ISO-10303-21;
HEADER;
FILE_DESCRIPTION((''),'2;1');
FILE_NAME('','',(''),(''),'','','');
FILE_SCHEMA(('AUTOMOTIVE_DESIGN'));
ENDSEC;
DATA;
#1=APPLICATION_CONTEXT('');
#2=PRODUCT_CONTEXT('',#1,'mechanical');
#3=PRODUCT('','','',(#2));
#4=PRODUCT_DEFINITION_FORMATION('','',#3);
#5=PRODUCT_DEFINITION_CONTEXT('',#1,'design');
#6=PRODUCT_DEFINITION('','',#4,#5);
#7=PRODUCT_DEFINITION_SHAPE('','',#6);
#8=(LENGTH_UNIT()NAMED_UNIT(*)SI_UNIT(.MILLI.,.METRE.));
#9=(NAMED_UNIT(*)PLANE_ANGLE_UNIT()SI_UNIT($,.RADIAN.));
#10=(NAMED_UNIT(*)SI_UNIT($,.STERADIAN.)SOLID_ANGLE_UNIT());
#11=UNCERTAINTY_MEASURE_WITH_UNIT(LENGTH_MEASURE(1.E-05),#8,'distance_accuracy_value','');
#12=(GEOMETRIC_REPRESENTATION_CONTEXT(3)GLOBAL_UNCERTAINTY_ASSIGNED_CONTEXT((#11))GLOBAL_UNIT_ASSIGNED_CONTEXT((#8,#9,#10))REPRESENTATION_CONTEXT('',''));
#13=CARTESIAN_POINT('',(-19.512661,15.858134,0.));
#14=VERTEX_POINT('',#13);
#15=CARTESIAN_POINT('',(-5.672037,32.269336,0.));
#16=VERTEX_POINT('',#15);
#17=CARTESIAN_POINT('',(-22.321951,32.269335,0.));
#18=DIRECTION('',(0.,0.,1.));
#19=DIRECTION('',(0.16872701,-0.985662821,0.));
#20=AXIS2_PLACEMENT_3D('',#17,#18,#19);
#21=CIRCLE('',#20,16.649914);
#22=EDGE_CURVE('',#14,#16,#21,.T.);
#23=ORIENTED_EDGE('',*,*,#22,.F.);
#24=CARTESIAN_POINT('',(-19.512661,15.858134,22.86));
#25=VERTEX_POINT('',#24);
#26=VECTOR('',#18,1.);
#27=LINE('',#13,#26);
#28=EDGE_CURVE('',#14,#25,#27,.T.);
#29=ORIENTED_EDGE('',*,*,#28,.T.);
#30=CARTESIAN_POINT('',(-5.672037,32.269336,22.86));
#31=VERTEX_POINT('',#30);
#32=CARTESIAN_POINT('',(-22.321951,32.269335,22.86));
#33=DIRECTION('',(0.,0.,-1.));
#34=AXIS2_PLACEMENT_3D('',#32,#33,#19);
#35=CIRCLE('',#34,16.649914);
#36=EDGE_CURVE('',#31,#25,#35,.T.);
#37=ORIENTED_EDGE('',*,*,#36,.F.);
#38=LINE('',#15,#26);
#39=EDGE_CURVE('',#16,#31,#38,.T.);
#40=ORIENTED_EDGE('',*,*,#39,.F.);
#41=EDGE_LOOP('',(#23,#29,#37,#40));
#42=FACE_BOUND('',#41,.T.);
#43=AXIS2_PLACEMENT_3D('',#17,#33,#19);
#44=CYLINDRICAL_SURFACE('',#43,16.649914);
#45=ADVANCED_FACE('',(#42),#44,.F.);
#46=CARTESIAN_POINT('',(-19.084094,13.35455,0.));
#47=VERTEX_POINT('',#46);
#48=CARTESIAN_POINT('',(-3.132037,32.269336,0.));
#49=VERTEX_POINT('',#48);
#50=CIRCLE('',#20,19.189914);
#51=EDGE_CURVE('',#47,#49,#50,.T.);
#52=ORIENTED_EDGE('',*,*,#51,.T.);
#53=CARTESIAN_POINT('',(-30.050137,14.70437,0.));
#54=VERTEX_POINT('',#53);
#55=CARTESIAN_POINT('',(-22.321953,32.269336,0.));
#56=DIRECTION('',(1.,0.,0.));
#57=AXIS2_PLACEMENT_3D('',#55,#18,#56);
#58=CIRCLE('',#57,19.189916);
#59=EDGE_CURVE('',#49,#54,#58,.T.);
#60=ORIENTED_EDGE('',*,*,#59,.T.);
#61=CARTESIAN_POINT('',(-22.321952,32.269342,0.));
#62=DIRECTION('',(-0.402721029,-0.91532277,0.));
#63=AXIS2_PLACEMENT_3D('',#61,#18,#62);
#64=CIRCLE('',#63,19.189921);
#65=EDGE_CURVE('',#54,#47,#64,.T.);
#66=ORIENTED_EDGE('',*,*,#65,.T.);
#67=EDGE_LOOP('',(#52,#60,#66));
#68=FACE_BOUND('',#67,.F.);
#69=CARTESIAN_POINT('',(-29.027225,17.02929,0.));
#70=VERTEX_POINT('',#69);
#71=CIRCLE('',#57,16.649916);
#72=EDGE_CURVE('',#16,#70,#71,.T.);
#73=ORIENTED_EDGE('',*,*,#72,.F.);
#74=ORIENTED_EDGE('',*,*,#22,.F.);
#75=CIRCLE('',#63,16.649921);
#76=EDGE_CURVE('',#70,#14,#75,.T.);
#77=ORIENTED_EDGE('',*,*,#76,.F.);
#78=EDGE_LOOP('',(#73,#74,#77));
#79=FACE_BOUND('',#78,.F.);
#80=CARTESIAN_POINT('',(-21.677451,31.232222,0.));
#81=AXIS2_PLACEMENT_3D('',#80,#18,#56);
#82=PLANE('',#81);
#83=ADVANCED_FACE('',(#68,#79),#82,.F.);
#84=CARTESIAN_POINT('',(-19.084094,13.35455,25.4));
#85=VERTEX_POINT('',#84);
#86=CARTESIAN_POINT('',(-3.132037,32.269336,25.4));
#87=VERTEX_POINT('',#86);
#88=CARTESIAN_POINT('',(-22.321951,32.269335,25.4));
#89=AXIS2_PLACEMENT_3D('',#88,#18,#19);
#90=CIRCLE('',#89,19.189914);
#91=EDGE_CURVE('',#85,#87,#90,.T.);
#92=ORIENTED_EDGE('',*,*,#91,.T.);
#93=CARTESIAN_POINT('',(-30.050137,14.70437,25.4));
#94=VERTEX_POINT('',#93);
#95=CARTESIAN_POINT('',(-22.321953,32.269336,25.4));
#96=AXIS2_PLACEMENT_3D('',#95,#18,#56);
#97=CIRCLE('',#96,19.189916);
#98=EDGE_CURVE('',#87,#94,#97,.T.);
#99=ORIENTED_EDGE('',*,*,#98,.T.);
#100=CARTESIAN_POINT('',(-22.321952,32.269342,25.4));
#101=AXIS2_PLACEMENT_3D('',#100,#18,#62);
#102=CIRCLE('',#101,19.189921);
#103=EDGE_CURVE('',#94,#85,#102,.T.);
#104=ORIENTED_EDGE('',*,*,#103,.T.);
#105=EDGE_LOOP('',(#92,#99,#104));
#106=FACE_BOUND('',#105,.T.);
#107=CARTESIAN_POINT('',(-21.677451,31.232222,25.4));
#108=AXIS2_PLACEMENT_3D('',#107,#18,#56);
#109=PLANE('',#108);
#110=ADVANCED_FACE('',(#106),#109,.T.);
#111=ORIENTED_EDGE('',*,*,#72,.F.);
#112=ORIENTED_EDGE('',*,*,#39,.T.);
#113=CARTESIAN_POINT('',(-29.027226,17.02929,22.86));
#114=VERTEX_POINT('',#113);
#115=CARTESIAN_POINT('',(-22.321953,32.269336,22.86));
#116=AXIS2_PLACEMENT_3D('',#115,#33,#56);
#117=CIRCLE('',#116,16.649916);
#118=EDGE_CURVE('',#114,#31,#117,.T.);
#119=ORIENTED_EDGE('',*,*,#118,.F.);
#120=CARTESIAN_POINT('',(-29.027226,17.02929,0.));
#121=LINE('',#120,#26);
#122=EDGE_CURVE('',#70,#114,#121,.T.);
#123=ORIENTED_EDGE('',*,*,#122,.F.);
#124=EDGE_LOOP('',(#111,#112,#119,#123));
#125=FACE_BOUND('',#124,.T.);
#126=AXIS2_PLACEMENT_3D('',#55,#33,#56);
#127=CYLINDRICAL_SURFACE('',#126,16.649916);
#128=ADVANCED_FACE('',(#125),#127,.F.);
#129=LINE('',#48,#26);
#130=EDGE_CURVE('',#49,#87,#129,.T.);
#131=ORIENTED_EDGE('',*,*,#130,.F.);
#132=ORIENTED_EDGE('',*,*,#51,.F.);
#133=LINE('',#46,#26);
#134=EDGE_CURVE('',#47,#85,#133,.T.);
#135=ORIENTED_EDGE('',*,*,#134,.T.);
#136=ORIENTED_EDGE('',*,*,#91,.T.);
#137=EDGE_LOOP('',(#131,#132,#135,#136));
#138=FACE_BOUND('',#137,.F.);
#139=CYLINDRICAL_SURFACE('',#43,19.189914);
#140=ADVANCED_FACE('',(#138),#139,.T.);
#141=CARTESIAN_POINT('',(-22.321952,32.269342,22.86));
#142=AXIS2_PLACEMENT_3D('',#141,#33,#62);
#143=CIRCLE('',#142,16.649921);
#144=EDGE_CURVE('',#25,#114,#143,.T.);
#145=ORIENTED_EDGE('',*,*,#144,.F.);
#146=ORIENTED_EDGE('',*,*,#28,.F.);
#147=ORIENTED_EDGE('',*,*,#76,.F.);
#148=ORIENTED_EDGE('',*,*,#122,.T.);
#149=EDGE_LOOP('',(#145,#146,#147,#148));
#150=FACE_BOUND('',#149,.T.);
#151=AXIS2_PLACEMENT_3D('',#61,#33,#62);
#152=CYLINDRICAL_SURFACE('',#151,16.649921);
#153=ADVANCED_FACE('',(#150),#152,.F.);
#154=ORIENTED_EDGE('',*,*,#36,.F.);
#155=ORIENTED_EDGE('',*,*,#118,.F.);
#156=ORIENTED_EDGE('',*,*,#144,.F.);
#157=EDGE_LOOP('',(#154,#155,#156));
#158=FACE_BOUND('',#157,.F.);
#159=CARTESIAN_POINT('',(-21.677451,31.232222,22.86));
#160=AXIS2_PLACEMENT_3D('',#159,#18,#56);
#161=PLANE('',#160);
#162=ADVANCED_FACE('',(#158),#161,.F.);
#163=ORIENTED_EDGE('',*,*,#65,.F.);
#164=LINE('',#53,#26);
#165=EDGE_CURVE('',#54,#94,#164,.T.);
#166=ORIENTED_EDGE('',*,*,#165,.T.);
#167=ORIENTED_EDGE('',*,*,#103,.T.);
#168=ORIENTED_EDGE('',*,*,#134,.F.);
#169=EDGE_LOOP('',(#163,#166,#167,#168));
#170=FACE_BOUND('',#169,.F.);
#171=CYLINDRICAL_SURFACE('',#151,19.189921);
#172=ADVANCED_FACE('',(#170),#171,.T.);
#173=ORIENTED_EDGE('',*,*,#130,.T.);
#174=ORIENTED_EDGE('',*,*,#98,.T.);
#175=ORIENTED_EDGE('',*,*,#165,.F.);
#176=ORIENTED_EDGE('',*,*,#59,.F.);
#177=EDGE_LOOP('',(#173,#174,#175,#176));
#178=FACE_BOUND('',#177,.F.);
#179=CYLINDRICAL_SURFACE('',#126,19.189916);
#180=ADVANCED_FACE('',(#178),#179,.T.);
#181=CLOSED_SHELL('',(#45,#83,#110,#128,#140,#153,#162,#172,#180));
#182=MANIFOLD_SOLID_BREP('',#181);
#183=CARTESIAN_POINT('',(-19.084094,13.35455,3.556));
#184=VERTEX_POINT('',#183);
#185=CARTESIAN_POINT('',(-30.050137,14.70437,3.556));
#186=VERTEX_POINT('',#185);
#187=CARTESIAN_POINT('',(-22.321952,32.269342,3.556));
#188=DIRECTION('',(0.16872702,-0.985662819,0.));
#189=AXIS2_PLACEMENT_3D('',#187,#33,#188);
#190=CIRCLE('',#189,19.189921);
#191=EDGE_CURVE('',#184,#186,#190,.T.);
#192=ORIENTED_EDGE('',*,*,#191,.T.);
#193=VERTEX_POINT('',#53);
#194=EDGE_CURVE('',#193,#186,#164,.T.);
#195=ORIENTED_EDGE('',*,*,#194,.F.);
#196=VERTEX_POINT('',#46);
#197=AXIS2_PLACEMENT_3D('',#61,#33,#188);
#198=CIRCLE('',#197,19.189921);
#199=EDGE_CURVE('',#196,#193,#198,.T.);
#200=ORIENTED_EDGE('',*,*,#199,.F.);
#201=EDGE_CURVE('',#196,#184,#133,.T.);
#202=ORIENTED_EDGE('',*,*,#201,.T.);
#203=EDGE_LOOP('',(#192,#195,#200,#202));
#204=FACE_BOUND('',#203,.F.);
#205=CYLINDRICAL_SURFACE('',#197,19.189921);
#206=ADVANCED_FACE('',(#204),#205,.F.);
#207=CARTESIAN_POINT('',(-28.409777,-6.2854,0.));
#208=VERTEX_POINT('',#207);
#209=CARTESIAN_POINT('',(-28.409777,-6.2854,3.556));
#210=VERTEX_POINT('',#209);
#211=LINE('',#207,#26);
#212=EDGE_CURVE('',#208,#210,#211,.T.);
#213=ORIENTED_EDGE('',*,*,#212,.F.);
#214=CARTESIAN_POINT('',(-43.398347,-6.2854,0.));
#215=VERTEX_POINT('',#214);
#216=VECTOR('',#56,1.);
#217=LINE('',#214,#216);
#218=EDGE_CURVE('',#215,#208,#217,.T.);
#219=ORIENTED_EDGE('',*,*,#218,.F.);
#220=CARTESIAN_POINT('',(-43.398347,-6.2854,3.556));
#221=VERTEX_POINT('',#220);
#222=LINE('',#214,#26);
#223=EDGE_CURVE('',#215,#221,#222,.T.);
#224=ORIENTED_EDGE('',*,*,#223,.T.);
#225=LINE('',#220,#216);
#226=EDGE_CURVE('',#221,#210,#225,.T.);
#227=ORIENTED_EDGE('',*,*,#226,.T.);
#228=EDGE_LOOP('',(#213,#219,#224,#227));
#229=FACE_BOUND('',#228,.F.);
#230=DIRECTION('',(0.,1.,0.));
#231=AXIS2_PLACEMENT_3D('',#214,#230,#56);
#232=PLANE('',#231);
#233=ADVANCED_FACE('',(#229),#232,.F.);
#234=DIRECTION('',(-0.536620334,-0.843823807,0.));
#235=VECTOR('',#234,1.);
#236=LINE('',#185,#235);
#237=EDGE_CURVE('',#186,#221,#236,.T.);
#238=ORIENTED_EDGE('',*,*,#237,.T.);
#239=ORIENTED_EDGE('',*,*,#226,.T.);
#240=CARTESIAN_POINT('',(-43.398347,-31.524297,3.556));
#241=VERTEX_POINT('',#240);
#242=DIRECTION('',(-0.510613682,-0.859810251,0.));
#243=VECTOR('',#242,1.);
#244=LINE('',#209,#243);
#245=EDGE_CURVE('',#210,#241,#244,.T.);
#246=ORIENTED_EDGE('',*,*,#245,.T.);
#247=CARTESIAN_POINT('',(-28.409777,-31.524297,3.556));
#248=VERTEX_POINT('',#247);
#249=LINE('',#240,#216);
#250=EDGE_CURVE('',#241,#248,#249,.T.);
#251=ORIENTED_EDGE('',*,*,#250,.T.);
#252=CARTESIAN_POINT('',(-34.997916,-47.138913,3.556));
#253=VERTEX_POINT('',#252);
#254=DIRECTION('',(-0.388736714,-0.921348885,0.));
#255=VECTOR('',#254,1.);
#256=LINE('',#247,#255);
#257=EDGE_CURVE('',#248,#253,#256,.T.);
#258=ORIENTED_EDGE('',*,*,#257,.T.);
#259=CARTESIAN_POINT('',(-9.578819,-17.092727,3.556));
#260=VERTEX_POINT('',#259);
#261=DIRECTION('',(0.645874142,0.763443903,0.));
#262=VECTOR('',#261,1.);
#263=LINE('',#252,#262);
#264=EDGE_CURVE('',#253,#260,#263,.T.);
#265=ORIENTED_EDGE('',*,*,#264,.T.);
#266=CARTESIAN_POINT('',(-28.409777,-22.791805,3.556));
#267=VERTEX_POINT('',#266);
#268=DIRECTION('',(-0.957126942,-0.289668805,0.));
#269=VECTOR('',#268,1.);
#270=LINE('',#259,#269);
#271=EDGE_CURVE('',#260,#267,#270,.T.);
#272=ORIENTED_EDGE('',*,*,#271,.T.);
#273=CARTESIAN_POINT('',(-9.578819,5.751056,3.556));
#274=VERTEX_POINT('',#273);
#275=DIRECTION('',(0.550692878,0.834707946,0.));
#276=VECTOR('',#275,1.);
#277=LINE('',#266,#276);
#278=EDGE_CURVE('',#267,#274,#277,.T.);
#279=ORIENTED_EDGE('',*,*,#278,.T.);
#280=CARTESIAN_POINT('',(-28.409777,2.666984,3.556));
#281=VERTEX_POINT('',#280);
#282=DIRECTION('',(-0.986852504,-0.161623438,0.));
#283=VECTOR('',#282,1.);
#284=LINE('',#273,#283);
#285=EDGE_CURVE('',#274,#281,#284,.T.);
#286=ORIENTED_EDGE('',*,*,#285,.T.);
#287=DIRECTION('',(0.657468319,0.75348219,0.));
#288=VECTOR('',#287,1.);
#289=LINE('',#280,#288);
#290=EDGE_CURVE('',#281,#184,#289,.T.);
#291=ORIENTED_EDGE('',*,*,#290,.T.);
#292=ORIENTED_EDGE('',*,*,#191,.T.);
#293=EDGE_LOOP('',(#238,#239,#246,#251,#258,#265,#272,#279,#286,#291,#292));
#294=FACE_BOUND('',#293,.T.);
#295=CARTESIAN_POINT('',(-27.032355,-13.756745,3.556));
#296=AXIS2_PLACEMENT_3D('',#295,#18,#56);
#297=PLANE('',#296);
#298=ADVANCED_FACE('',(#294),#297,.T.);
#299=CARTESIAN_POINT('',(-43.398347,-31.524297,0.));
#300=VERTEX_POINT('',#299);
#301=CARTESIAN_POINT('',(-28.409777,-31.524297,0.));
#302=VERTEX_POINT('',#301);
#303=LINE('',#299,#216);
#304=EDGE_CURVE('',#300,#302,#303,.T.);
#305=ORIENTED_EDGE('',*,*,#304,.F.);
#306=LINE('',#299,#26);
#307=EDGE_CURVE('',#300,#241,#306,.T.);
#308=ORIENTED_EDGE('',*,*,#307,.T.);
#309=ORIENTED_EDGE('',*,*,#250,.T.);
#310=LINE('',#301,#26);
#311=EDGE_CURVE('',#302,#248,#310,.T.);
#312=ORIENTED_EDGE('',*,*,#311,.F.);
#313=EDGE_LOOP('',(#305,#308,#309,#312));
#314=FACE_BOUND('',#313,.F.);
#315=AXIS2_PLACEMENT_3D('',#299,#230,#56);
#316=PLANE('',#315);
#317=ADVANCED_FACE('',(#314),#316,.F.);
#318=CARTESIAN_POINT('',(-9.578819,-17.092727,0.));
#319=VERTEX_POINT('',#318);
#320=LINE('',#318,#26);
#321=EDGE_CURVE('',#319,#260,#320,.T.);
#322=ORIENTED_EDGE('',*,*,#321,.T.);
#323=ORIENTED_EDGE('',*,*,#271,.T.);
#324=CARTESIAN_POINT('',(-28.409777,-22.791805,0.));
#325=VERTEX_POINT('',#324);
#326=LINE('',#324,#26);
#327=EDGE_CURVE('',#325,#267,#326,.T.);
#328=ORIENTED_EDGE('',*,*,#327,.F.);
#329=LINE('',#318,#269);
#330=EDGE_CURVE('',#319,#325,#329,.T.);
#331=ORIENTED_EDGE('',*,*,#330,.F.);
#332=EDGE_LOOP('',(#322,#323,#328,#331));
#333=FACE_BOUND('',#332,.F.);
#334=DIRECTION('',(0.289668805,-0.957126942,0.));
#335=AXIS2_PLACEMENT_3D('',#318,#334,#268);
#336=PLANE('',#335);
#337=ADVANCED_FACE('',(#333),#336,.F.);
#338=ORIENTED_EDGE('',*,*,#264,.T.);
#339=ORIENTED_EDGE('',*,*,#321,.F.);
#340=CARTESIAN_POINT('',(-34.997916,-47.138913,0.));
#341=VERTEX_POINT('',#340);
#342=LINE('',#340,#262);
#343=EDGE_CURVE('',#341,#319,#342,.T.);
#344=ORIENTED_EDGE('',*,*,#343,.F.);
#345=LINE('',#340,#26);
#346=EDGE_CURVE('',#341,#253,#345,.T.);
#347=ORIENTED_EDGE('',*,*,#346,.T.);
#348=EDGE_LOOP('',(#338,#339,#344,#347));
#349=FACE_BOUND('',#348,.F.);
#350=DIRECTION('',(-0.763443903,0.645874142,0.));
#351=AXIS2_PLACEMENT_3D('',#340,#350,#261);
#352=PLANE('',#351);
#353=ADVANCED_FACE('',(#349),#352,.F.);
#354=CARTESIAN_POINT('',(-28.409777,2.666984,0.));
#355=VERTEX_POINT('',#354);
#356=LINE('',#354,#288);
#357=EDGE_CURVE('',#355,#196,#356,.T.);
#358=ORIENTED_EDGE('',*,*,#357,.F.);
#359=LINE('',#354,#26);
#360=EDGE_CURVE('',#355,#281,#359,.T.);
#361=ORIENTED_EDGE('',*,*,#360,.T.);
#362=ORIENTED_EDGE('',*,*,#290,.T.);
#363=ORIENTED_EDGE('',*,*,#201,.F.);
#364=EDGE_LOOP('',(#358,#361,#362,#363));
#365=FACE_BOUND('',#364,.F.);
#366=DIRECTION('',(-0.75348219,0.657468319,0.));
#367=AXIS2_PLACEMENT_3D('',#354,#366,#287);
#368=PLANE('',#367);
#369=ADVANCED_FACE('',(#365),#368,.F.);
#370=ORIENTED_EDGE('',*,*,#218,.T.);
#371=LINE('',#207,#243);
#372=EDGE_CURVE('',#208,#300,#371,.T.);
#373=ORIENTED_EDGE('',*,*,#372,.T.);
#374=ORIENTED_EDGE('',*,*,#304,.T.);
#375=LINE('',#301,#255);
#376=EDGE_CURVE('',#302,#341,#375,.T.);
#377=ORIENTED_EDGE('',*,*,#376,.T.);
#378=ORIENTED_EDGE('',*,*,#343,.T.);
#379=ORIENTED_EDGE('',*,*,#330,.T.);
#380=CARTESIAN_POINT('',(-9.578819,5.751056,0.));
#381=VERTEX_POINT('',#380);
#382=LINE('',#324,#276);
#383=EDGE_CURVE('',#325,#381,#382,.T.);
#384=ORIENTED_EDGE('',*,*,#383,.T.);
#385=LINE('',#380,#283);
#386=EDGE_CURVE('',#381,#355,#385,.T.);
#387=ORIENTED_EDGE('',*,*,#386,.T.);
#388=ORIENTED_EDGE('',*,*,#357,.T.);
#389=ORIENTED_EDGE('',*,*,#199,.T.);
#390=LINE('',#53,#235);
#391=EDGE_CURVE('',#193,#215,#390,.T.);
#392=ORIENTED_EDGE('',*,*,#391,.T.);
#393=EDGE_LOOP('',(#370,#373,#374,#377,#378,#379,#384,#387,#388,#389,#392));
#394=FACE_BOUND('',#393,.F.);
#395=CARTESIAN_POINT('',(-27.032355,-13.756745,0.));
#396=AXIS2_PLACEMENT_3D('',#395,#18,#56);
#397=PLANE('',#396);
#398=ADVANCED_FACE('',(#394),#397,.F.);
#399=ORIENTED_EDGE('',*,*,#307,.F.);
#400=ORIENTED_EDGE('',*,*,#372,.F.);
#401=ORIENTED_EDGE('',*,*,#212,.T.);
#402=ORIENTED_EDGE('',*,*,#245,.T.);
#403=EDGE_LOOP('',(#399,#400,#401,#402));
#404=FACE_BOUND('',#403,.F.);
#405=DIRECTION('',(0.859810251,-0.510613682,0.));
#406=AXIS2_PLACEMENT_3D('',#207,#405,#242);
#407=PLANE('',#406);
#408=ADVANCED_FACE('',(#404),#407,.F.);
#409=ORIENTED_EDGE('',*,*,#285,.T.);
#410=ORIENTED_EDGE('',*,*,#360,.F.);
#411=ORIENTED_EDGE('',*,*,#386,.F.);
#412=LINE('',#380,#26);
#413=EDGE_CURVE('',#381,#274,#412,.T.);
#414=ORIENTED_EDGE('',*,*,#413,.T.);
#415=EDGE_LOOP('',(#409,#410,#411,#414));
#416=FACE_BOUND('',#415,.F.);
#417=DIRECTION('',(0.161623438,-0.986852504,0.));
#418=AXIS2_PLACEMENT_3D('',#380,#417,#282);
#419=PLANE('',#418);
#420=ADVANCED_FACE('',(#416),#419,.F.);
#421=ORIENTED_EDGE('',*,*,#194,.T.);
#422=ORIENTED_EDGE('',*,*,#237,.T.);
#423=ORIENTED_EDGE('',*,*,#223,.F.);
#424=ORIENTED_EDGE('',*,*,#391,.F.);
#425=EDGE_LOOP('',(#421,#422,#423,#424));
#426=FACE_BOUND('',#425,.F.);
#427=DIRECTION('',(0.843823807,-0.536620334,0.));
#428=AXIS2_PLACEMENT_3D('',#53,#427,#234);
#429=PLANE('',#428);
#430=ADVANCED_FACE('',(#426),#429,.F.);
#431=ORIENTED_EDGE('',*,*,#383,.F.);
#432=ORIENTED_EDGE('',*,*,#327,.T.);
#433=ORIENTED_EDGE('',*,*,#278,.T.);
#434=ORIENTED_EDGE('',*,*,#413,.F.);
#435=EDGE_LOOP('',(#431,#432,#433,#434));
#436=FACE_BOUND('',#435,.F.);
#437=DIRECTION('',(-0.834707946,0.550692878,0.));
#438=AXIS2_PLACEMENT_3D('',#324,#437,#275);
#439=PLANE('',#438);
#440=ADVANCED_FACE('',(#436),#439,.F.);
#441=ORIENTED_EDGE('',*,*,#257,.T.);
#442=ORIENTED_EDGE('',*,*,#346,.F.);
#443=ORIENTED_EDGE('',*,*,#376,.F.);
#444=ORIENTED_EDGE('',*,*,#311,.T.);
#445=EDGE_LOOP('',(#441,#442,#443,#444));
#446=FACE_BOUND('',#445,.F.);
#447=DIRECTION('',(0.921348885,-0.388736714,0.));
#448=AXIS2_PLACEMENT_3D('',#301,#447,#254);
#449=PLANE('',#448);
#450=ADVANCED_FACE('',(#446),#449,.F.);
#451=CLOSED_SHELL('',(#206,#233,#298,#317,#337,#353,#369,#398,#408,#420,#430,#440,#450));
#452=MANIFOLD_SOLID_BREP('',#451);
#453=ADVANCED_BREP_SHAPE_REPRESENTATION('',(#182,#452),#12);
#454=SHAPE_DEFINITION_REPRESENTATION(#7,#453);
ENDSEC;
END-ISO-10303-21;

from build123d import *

# Parameters (mm, degrees)
F1_DEPTH = 25.4
F2_DEPTH = 3.556
F3_T     = -2.54


with BuildPart() as f1:
    # F0 (on Top) → F1 (new body)
    with BuildSketch(Plane.XY):
        with BuildLine():
            ThreePointArc((-19.084094, 13.35455), (-7.652475, 19.897622), (-3.132037, 32.269336))
            ThreePointArc((-3.132037, 32.269336), (-32.808841, 48.340367), (-30.050137, 14.70437))
            ThreePointArc((-30.050137, 14.70437), (-24.666363, 13.223166), (-19.084094, 13.35455))
        make_face()
    extrude(amount=F1_DEPTH)

    # F3
    f3_openings = [f1.faces().sort_by_distance(p)[0] for p in [
        (-22.321953, 32.269336, 0),
    ]]
    offset(amount=F3_T, openings=f3_openings)


with BuildPart() as f2:
    # F0 (on Top) → F2 (new body)
    with BuildSketch(Plane.XY):
        with BuildLine():
            ThreePointArc((-19.084094, 13.35455), (-24.666363, 13.223166), (-30.050137, 14.70437))
            Line((-30.050137, 14.70437), (-43.398347, -6.2854))
            Line((-43.398347, -6.2854), (-28.409777, -6.2854))
            Line((-28.409777, -6.2854), (-43.398347, -31.524297))
            Line((-43.398347, -31.524297), (-28.409777, -31.524297))
            Line((-28.409777, -31.524297), (-34.997916, -47.138913))
            Line((-34.997916, -47.138913), (-9.578819, -17.092727))
            Line((-9.578819, -17.092727), (-28.409777, -22.791805))
            Line((-28.409777, -22.791805), (-9.578819, 5.751056))
            Line((-9.578819, 5.751056), (-28.409777, 2.666984))
            Line((-28.409777, 2.666984), (-19.084094, 13.35455))
        make_face()
    extrude(amount=F2_DEPTH)


solid = Compound([f1.part, f2.part])
